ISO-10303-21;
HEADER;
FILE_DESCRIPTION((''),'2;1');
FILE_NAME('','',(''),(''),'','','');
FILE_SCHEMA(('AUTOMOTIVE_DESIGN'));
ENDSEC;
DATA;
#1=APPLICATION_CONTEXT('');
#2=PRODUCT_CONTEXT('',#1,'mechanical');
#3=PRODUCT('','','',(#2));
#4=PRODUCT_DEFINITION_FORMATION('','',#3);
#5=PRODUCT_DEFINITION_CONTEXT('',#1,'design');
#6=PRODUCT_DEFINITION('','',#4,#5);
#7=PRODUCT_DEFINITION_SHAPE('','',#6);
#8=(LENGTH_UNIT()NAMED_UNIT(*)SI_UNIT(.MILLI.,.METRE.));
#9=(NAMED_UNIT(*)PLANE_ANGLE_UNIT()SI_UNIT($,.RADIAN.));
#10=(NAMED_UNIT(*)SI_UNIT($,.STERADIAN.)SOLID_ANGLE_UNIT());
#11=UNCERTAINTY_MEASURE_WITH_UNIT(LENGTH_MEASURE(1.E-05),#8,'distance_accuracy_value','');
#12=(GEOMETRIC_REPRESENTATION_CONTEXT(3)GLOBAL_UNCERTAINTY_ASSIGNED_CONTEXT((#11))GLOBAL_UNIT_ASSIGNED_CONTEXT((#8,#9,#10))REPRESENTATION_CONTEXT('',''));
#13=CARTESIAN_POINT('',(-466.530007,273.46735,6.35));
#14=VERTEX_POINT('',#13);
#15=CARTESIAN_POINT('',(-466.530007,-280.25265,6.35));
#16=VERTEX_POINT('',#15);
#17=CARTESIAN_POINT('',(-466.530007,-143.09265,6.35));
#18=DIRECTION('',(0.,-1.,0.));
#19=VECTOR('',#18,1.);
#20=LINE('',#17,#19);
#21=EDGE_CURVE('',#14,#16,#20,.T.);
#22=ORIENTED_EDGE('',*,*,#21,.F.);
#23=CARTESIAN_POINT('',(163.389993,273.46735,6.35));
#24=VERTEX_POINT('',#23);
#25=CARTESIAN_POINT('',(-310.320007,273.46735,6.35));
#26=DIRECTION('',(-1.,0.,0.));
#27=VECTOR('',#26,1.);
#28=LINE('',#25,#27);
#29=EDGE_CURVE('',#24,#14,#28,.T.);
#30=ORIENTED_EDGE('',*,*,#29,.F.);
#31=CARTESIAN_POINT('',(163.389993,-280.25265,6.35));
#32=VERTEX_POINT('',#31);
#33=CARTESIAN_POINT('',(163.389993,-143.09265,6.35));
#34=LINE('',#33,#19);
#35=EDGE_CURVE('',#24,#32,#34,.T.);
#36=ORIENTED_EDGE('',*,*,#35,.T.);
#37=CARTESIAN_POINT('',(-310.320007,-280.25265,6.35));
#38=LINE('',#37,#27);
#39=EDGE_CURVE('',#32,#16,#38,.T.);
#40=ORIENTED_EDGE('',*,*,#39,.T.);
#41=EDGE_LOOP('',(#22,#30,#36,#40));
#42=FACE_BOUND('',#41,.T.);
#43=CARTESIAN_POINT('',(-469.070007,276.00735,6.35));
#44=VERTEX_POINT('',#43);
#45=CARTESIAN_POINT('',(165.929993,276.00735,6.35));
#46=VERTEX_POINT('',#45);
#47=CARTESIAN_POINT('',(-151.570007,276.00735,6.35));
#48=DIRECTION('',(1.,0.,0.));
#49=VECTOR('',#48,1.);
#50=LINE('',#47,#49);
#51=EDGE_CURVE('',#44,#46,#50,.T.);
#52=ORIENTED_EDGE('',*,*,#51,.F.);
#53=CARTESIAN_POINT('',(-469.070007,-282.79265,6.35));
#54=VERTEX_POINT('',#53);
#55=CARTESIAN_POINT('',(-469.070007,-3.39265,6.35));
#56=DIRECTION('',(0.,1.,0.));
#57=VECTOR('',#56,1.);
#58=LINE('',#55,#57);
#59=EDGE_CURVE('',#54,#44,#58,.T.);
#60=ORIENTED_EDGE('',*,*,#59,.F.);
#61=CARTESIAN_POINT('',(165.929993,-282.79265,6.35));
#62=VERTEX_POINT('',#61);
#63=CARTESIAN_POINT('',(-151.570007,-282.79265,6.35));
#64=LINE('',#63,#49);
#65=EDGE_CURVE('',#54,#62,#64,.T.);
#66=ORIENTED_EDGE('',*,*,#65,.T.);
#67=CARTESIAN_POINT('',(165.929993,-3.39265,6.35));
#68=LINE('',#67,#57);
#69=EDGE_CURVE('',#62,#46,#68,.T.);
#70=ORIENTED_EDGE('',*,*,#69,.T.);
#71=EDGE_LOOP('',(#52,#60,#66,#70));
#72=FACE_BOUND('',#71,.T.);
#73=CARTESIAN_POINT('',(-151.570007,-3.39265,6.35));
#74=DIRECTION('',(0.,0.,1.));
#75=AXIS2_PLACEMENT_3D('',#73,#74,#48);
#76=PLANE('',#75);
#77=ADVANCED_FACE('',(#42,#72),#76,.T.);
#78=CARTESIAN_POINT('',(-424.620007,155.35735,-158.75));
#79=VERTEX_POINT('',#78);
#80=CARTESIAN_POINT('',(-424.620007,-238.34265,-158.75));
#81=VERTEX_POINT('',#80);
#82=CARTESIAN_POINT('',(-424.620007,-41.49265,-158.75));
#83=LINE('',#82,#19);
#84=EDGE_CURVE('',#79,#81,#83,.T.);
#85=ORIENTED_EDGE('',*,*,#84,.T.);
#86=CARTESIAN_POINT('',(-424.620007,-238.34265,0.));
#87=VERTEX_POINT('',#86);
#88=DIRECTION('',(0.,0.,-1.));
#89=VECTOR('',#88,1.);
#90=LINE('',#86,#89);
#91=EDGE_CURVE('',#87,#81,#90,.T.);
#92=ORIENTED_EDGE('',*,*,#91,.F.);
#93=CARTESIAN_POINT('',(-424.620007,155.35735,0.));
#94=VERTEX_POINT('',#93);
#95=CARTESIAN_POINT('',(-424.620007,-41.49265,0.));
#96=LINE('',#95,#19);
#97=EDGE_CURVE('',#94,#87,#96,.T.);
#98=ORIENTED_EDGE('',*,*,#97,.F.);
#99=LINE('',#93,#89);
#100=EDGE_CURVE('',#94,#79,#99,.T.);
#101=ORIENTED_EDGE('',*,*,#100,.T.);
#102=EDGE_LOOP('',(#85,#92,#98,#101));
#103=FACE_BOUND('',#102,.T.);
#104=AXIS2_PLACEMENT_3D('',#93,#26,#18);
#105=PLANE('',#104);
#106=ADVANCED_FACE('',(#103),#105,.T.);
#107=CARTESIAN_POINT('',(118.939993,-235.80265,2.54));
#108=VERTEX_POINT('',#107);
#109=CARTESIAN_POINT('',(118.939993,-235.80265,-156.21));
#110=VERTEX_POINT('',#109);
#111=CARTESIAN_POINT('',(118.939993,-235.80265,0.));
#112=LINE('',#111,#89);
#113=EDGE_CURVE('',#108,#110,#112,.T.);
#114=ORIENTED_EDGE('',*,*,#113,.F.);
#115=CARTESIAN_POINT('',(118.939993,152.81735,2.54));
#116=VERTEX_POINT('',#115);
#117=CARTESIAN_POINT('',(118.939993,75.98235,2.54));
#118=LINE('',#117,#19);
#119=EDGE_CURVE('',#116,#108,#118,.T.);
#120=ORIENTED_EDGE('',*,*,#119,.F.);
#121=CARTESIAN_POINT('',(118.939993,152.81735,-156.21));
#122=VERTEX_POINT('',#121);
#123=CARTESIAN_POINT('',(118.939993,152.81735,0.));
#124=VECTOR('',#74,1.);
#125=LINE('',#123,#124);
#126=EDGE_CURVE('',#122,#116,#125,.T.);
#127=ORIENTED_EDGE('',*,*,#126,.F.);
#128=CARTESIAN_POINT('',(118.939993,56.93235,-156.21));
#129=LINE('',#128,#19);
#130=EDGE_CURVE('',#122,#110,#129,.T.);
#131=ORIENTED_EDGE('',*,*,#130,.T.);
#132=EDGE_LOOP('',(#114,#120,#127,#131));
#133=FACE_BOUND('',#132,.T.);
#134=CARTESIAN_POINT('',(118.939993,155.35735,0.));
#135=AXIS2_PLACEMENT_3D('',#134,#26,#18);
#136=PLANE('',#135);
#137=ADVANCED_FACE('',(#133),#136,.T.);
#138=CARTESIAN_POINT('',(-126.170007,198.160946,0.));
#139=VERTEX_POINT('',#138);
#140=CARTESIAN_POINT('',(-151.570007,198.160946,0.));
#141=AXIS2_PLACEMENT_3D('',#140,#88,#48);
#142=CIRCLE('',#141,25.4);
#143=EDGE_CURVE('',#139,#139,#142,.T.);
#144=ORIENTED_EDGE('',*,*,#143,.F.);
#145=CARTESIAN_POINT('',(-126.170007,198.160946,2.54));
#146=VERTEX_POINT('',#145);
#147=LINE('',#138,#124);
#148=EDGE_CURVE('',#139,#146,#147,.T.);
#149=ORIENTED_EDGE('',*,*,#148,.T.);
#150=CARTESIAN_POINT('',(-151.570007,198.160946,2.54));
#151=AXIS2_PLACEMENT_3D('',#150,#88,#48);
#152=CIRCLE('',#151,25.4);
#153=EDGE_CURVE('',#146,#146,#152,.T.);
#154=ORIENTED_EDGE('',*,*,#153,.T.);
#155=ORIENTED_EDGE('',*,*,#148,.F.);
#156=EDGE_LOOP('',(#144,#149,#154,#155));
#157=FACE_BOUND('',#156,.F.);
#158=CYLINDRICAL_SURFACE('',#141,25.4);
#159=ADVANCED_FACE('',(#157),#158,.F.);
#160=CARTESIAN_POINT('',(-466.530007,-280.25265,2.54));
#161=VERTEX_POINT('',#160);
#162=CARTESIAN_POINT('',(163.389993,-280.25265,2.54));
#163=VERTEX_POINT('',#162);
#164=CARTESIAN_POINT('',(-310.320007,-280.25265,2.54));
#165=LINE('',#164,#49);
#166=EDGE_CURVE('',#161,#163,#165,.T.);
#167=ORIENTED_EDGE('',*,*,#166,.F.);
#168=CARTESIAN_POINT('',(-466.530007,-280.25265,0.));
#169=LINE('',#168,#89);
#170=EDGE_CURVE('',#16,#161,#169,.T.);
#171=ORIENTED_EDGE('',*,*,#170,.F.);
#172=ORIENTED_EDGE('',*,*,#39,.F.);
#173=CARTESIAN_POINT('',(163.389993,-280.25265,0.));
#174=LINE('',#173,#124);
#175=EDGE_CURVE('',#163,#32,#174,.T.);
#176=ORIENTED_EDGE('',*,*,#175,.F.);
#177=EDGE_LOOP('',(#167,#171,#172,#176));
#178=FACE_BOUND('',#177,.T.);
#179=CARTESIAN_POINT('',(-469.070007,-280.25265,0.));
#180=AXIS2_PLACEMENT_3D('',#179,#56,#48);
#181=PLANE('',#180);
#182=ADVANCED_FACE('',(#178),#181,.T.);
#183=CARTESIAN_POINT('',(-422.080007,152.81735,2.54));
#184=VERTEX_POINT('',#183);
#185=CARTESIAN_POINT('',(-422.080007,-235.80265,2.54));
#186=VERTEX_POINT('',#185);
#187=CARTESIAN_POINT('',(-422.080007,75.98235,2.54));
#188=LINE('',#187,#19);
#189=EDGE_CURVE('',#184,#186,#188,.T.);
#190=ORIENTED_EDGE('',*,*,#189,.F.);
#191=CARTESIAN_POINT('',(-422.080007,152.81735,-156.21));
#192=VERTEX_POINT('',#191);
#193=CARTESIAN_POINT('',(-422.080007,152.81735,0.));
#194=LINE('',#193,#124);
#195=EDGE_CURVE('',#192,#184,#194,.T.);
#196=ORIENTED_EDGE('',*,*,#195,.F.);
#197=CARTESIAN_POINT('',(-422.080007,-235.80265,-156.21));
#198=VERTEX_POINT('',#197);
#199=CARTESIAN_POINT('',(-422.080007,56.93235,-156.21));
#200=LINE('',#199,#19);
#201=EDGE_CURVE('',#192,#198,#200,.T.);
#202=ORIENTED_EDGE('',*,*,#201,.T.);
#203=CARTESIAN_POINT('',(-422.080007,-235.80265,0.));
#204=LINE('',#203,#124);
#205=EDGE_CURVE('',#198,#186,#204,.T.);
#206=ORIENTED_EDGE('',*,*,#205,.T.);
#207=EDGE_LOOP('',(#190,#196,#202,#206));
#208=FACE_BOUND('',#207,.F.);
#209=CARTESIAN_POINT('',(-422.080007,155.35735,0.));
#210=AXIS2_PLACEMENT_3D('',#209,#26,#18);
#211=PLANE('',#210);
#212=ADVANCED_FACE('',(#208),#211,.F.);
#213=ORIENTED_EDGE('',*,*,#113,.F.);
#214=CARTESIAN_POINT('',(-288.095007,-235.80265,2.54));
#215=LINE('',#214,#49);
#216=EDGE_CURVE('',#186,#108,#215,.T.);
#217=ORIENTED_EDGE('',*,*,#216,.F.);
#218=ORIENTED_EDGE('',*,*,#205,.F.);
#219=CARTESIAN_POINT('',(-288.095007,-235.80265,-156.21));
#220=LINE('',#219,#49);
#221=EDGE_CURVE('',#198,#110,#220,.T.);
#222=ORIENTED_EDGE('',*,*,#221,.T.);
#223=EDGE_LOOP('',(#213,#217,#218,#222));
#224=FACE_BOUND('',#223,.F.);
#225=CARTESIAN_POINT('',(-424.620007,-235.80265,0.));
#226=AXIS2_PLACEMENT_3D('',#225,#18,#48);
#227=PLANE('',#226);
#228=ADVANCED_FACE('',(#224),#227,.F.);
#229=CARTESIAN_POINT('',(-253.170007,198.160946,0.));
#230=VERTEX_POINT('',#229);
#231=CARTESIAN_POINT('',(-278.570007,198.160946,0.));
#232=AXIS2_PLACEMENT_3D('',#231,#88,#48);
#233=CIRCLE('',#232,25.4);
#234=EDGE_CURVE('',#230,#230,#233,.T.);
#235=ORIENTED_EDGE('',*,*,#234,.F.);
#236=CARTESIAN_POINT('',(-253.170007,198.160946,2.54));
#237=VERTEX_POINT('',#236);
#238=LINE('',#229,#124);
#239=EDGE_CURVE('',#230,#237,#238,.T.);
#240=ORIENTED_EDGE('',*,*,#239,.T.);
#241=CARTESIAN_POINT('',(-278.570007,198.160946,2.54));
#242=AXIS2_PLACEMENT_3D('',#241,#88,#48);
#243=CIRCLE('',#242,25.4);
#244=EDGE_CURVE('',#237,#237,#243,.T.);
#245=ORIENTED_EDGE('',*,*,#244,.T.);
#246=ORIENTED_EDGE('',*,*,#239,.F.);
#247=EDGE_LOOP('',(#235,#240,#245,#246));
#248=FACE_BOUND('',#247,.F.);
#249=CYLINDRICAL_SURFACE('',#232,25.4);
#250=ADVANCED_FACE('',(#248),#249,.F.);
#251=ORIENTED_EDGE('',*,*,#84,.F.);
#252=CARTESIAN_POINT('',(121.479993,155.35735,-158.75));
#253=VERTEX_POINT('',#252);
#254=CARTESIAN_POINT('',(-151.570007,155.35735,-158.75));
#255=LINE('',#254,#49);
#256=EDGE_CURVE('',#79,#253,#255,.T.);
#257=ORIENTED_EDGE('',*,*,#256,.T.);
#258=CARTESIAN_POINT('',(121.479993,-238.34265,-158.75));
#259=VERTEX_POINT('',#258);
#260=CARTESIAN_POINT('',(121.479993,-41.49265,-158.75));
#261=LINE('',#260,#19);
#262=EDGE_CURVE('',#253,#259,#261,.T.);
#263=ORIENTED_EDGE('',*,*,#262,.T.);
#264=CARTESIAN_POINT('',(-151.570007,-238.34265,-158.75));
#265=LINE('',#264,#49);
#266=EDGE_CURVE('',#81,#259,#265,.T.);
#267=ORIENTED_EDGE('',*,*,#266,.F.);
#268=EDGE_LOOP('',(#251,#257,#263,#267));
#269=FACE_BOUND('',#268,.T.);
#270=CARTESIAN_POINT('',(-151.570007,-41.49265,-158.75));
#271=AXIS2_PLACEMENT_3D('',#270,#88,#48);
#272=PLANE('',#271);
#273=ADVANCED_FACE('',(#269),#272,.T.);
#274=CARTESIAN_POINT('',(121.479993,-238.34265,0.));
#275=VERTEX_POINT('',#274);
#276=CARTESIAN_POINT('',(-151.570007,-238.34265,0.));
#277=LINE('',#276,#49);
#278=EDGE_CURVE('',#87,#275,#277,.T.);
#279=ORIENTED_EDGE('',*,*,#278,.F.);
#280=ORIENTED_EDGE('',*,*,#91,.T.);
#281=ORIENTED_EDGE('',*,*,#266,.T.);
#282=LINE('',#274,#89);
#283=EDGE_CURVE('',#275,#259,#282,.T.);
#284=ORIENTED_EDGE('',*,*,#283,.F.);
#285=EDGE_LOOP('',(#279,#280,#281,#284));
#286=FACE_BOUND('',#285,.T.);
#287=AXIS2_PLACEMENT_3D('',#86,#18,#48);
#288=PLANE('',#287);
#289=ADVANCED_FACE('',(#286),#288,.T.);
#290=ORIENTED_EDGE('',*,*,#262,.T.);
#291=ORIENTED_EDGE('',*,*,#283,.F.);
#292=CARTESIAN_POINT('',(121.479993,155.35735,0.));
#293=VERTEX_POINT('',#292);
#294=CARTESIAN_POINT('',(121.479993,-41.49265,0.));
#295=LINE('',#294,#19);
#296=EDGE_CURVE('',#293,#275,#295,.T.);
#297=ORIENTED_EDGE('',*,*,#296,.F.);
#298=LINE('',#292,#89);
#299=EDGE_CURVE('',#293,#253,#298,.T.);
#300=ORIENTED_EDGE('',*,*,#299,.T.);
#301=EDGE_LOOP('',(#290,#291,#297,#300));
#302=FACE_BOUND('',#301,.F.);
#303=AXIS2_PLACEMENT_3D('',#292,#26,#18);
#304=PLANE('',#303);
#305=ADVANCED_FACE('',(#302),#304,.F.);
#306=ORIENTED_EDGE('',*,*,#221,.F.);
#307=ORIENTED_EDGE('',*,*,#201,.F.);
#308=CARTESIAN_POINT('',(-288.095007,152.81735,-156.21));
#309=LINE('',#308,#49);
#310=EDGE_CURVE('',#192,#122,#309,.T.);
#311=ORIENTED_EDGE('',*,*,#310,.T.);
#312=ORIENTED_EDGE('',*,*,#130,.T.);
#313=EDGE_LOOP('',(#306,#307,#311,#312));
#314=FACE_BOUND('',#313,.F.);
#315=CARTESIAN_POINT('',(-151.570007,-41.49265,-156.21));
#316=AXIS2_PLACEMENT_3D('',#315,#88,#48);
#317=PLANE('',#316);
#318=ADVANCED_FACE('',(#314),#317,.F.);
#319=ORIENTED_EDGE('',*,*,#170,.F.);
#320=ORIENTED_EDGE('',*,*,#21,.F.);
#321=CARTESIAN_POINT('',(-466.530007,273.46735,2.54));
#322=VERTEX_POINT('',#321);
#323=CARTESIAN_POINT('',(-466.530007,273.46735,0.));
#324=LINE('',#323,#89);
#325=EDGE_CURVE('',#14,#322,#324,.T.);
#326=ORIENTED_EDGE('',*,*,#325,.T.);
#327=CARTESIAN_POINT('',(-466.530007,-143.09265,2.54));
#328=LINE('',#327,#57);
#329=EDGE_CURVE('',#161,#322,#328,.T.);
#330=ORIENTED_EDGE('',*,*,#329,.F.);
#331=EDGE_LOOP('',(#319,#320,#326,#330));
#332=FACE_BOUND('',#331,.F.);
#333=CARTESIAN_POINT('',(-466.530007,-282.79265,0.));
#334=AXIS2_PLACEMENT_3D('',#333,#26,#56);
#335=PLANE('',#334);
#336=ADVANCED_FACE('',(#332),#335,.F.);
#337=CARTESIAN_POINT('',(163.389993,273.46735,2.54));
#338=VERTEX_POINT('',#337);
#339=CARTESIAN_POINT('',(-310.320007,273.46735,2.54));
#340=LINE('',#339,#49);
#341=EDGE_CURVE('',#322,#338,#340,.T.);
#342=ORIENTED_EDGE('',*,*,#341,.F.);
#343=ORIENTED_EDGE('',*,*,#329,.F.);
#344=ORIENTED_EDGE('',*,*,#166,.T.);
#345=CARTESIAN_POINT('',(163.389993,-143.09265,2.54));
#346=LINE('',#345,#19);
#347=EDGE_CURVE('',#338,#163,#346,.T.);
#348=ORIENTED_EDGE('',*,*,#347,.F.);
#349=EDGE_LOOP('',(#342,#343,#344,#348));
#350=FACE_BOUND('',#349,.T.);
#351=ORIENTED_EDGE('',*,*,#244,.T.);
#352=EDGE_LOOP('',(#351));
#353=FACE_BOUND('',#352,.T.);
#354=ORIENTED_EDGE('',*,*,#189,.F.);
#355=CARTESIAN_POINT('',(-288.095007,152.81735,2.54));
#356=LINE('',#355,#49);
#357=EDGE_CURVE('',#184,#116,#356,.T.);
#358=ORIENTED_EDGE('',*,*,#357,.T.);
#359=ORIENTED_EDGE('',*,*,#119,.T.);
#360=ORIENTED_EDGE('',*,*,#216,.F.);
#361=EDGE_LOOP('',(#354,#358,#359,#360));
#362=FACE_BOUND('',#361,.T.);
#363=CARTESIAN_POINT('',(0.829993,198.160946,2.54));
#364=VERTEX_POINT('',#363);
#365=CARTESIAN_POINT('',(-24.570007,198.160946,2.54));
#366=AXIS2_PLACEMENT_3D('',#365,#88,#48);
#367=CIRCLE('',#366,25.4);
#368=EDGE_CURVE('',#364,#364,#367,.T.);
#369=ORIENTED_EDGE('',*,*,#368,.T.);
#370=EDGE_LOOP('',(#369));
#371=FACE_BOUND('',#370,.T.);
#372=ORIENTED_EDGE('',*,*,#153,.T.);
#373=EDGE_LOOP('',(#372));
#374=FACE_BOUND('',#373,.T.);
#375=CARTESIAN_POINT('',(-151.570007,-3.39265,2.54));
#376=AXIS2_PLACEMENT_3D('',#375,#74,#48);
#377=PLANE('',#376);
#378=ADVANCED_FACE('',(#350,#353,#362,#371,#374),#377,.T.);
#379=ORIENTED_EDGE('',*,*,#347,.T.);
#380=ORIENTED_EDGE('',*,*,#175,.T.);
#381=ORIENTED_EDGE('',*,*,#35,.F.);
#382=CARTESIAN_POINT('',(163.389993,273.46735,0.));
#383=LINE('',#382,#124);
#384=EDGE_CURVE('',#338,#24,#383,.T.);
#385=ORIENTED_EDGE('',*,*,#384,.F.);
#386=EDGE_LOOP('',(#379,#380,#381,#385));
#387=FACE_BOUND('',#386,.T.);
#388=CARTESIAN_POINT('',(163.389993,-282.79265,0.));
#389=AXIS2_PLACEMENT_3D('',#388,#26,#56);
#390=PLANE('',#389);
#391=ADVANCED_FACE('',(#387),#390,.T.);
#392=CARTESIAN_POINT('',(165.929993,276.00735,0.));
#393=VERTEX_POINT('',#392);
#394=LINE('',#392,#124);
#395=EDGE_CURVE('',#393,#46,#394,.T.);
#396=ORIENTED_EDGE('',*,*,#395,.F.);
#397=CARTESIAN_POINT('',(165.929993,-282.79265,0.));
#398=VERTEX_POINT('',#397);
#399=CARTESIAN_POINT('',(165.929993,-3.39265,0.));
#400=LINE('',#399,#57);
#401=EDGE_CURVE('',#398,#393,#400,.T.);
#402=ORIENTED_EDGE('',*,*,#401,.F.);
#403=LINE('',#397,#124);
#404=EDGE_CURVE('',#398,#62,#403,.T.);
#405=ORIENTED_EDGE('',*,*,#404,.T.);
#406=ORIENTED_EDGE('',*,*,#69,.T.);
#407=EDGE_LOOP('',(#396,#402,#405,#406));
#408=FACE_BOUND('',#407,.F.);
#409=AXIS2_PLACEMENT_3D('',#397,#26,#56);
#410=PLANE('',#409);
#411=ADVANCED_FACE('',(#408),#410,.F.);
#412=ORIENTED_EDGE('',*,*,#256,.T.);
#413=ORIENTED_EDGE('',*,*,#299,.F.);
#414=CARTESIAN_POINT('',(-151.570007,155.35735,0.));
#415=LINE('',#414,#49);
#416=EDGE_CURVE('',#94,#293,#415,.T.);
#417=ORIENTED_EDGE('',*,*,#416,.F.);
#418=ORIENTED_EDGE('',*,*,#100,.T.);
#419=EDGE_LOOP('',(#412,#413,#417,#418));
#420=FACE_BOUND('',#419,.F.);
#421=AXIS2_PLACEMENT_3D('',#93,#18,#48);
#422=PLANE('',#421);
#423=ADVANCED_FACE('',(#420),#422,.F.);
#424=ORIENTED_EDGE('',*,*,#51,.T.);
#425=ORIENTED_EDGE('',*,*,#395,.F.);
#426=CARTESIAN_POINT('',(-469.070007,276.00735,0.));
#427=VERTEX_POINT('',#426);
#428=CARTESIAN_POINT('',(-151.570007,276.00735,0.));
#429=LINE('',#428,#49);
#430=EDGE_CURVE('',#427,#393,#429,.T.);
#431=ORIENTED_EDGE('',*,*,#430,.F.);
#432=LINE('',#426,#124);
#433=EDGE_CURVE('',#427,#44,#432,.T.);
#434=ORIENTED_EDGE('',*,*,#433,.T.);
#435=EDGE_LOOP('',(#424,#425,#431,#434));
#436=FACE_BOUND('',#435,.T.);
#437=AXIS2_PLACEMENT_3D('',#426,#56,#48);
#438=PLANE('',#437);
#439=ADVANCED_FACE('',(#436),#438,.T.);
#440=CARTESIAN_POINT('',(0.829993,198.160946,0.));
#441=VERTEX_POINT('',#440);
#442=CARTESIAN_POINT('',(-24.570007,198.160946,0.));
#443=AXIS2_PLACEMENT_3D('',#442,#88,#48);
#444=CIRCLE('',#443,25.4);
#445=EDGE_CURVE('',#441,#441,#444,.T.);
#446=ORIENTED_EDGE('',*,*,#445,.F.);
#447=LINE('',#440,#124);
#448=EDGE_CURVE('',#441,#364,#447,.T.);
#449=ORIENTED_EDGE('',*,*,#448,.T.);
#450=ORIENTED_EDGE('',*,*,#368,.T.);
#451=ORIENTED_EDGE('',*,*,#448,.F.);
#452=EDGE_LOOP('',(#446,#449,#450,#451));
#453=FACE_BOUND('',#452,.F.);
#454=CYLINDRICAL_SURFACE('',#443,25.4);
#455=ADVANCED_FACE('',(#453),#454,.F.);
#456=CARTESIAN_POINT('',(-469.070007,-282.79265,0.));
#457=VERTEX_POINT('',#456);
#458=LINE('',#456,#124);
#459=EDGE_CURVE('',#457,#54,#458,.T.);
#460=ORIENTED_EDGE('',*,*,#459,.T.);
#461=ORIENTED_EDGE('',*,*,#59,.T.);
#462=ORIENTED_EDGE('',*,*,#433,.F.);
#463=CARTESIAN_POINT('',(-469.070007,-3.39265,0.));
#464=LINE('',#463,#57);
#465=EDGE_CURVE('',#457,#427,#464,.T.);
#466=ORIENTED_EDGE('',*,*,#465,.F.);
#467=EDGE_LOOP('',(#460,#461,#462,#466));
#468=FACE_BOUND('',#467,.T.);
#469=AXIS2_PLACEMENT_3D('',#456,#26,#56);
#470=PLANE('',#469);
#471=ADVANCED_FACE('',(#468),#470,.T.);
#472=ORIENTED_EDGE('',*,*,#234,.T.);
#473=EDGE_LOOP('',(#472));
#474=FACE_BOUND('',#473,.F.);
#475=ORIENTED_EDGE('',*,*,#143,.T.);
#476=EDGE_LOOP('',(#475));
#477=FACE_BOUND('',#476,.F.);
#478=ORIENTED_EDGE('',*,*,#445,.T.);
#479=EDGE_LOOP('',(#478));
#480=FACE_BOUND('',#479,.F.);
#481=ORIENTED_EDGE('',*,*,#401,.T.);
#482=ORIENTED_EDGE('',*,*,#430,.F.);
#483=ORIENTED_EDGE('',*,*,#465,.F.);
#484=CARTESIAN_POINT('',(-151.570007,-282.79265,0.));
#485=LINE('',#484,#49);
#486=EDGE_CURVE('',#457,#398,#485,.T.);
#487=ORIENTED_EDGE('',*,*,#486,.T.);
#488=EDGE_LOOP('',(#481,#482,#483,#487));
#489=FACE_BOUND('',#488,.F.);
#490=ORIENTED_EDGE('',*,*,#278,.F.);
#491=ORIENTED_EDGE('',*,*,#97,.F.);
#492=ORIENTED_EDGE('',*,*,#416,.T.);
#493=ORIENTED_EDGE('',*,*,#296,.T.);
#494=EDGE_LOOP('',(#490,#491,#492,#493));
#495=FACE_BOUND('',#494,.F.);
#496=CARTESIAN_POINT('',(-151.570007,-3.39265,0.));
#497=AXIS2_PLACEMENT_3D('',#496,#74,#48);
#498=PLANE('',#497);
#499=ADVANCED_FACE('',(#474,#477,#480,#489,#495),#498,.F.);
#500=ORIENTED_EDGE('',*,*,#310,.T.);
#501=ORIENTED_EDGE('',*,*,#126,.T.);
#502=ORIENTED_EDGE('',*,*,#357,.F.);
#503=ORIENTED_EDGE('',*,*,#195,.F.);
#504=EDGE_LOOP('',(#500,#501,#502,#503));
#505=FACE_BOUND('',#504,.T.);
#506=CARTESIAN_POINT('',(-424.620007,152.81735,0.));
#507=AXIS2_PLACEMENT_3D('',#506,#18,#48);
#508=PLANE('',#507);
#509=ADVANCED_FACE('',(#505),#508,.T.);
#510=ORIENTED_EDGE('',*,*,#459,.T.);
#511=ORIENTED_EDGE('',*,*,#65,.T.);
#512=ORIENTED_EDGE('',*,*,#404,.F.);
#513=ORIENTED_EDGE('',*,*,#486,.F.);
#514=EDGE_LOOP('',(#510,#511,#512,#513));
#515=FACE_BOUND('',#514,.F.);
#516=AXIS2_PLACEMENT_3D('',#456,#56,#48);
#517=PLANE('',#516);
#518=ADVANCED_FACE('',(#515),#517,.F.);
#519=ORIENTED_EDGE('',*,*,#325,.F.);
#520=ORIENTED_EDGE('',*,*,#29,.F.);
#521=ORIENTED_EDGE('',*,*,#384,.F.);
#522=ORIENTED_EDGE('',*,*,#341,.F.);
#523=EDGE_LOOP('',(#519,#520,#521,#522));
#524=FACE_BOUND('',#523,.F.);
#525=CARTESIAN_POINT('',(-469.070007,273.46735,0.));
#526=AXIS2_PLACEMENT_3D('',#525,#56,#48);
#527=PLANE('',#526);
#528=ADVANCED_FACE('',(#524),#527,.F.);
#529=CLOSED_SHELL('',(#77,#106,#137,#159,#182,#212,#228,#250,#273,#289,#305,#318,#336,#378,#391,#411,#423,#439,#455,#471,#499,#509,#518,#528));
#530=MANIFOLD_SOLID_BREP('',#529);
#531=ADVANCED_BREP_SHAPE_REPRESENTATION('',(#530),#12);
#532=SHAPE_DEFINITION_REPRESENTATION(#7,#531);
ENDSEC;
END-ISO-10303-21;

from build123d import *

# Parameters (mm, degrees)
F0_W     = 635
F0_H     = 558.8
F1_DEPTH = 6.35
F2_W     = 546.1
F2_H     = 393.7
F3_DEPTH = 158.75
F4_T     = -2.54
F2_R     = 25.4
F5_DEPTH = 25.4


with BuildPart() as f1:
    # F0 (on Top) → F1 (new body)
    with BuildSketch(Plane.XY):
        with Locations((-151.5700068397, -3.3926498145)):
            Rectangle(F0_W, F0_H)
    extrude(amount=F1_DEPTH)

    # F2 (on face) → F3 (join)
    with BuildSketch(Plane(origin=(0, 0, 0), x_dir=(1, 0, 0), z_dir=(0, 0, -1))):
        with Locations((-151.5700068397, 41.4926498145)):
            Rectangle(F2_W, F2_H)
    extrude(amount=F3_DEPTH)

    # F4
    f4_openings = [f1.faces().sort_by_distance(p)[0] for p in [
        (-151.570007, -3.39265, 6.35),
    ]]
    offset(amount=F4_T, openings=f4_openings, kind=Kind.INTERSECTION)

    # F2 (on face) → F5 (cut)
    with BuildSketch(Plane(origin=(0, 0, 0), x_dir=(1, 0, 0), z_dir=(0, 0, -1))):
        with Locations((-278.5700068397, -198.1609463692)):
            Circle(F2_R)
        with Locations((-151.5700068397, -198.1609463692)):
            Circle(F2_R)
        with Locations((-24.5700068397, -198.1609463692)):
            Circle(F2_R)
    extrude(amount=-F5_DEPTH, mode=Mode.SUBTRACT)


solid = f1.part
